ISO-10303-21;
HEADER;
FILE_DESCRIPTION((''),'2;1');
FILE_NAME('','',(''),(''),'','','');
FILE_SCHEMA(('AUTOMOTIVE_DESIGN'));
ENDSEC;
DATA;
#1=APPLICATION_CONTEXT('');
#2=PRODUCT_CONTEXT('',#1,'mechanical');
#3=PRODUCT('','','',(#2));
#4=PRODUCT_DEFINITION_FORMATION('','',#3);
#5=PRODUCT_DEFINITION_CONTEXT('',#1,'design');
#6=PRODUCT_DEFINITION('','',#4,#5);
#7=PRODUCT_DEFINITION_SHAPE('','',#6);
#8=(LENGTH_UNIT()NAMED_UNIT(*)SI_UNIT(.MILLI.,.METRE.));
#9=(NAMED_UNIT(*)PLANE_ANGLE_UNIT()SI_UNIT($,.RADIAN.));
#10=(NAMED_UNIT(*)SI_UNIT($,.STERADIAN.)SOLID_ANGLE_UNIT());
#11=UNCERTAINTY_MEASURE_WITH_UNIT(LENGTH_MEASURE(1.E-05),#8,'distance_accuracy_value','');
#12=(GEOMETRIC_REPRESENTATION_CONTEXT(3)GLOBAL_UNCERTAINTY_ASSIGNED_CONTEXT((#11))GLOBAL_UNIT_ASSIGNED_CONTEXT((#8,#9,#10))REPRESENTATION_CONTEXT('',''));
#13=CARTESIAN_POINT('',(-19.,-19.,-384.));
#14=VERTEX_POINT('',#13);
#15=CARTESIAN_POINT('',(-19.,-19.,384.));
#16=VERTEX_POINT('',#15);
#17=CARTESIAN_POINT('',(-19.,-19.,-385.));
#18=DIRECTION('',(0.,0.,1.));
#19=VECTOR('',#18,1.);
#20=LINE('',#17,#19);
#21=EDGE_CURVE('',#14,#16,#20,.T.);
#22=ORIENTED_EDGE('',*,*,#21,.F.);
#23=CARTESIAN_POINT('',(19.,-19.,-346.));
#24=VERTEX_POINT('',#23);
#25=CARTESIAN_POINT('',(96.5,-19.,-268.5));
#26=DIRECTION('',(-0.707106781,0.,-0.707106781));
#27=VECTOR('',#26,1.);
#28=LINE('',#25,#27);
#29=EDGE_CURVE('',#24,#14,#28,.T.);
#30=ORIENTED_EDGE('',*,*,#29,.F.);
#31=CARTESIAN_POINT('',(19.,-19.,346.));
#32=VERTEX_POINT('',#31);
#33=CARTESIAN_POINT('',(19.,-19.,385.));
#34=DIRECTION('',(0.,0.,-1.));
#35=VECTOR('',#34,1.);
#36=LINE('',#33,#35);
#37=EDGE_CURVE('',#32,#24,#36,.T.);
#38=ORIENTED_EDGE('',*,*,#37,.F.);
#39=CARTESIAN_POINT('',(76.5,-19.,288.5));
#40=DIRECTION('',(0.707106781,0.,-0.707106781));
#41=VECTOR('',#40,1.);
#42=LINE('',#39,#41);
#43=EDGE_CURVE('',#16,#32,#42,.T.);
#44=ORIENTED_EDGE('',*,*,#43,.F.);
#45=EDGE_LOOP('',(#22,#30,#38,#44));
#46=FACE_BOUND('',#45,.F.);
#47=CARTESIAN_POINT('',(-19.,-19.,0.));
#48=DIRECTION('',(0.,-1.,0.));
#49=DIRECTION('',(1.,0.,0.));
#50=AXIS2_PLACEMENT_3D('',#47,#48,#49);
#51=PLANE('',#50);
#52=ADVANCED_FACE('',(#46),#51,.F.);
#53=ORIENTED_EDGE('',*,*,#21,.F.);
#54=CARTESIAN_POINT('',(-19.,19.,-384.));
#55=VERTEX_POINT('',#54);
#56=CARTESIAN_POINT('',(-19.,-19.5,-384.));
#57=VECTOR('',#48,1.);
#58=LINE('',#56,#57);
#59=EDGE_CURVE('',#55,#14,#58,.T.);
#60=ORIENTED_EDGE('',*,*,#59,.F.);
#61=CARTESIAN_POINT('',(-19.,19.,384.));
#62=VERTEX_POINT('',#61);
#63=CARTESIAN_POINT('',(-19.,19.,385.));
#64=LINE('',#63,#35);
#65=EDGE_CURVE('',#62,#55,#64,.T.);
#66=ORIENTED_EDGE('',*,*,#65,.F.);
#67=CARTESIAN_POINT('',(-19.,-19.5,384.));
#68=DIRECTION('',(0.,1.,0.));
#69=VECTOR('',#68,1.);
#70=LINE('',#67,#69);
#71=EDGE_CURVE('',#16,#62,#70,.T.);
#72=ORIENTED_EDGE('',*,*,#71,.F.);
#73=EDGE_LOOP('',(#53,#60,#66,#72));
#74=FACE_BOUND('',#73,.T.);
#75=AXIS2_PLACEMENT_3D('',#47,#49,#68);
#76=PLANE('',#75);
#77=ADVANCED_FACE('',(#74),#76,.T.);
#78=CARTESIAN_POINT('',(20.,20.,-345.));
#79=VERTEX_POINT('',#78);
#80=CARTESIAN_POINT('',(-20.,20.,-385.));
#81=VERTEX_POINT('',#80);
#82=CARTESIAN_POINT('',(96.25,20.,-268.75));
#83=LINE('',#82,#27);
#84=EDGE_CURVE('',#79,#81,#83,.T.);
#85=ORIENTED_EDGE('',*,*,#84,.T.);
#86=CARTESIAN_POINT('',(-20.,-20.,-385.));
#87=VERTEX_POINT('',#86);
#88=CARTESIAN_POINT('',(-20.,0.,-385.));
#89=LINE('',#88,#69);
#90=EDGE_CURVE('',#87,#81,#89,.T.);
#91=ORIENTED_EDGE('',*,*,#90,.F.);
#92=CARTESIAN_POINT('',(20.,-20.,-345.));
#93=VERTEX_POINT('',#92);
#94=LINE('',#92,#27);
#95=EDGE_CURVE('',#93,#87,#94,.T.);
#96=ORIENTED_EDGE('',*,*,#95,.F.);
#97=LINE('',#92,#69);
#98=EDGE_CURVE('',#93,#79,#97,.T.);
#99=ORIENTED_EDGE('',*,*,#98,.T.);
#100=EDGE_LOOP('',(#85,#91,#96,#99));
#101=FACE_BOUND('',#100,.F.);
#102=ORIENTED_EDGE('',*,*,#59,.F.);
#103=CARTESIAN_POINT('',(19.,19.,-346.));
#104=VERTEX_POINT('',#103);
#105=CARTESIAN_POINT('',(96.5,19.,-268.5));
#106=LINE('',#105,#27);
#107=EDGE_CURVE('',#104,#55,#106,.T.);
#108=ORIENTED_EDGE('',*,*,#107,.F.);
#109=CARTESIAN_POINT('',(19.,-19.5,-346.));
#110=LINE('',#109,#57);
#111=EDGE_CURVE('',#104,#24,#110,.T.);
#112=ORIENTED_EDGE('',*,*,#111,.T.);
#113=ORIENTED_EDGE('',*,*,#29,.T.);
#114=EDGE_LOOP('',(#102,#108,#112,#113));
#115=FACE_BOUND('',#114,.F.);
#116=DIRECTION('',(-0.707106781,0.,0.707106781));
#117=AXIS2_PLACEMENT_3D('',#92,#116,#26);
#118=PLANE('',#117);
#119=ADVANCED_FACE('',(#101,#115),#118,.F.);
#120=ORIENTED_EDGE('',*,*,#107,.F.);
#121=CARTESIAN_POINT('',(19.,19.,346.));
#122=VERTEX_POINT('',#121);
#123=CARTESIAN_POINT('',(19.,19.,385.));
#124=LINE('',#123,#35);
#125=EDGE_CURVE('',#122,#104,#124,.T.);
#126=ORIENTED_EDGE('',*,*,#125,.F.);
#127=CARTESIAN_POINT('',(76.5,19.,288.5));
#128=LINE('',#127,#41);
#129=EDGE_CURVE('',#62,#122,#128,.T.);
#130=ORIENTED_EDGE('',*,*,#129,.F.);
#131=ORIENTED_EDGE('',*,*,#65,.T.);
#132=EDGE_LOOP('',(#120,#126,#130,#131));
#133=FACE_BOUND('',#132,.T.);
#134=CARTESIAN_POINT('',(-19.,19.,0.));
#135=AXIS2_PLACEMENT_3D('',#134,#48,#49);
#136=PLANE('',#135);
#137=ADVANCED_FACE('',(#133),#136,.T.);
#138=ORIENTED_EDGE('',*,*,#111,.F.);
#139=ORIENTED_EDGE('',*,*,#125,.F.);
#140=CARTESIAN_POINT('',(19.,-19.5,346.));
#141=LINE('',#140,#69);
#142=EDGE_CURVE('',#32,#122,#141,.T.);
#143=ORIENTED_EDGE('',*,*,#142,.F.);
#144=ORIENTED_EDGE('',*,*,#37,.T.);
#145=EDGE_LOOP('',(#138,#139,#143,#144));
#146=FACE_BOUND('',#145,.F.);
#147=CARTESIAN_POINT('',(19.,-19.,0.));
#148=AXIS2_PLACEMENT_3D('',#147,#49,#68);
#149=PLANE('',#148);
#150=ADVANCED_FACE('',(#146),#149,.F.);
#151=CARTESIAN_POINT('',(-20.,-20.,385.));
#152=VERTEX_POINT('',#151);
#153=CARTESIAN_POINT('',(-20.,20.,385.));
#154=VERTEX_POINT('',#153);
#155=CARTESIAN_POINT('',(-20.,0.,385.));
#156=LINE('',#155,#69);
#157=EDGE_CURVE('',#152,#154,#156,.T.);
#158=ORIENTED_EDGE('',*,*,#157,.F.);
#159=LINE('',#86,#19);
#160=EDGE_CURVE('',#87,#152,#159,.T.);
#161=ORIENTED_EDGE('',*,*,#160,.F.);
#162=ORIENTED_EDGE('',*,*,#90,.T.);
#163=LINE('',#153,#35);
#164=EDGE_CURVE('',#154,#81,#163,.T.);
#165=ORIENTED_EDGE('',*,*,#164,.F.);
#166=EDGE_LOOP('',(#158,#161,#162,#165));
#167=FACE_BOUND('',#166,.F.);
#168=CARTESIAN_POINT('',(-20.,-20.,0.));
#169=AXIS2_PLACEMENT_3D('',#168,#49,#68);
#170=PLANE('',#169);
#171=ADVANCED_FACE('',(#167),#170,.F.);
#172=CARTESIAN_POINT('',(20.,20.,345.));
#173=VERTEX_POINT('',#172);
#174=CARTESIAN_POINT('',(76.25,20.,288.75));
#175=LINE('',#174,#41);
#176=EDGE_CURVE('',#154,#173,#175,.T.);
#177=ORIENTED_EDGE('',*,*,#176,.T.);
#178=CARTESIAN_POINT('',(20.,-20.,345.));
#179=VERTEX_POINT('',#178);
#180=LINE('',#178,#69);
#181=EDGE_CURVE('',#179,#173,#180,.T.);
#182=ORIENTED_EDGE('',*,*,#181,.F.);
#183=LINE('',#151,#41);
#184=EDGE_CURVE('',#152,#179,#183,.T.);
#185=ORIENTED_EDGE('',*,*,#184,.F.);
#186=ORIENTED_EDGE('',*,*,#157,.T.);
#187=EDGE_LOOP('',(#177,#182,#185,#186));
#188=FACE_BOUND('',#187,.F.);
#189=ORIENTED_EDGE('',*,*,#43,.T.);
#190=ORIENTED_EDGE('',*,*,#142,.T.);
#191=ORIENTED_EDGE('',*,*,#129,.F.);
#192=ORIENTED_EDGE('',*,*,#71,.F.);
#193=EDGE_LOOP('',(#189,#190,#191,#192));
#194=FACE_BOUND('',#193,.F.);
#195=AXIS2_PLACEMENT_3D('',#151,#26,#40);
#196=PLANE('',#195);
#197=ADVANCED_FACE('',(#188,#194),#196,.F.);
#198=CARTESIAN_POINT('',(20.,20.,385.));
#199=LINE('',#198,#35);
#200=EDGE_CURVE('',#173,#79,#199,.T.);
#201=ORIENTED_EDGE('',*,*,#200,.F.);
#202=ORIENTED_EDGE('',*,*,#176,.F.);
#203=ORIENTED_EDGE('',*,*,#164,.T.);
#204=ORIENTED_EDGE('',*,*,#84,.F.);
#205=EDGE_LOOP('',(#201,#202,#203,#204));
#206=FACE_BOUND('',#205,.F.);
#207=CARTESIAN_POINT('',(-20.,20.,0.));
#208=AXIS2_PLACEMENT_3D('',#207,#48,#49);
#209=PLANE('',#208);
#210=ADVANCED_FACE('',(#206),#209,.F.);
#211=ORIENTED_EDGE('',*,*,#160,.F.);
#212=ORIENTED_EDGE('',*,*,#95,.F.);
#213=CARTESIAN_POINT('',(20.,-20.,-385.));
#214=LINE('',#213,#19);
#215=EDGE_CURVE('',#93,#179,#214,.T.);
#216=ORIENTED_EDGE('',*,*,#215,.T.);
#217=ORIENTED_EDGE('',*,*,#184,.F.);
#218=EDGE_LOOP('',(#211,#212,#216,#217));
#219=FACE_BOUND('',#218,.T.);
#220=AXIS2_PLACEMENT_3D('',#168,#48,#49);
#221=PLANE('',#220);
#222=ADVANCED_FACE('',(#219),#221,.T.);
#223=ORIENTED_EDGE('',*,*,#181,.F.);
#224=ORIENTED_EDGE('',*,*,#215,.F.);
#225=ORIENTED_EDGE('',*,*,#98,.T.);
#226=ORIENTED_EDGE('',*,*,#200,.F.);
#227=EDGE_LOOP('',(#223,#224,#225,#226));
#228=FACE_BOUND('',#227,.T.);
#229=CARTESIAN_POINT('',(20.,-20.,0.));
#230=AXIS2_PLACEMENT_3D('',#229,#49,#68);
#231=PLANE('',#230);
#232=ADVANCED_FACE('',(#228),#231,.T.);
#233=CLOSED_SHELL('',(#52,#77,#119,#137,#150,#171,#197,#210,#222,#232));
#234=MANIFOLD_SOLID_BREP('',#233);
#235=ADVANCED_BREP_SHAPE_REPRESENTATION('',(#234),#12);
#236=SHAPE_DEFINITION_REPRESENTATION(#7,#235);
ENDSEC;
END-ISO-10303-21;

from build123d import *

# Parameters (mm, degrees)
F0_W     = 40
F0_H     = 40
F0_W_2   = 38
F0_H_2   = 38
F1_DEPTH = 385
F3_DEPTH = 100


with BuildPart() as f1:
    # F0 (on Top) → F1 (new body, symmetric)
    with BuildSketch(Plane.XY):
        Rectangle(F0_W, F0_H)
        Rectangle(F0_W_2, F0_H_2, mode=Mode.SUBTRACT)
    extrude(amount=F1_DEPTH, both=True)

    # F2 (on face) → F3 (cut)
    with BuildSketch(Plane.XZ.offset(20)):
        Polygon((20, -345), (-20, -385), (20, -385), align=None)
        Polygon((20, 385), (-20, 385), (20, 345), align=None)
    extrude(amount=-F3_DEPTH, mode=Mode.SUBTRACT)


solid = f1.part
